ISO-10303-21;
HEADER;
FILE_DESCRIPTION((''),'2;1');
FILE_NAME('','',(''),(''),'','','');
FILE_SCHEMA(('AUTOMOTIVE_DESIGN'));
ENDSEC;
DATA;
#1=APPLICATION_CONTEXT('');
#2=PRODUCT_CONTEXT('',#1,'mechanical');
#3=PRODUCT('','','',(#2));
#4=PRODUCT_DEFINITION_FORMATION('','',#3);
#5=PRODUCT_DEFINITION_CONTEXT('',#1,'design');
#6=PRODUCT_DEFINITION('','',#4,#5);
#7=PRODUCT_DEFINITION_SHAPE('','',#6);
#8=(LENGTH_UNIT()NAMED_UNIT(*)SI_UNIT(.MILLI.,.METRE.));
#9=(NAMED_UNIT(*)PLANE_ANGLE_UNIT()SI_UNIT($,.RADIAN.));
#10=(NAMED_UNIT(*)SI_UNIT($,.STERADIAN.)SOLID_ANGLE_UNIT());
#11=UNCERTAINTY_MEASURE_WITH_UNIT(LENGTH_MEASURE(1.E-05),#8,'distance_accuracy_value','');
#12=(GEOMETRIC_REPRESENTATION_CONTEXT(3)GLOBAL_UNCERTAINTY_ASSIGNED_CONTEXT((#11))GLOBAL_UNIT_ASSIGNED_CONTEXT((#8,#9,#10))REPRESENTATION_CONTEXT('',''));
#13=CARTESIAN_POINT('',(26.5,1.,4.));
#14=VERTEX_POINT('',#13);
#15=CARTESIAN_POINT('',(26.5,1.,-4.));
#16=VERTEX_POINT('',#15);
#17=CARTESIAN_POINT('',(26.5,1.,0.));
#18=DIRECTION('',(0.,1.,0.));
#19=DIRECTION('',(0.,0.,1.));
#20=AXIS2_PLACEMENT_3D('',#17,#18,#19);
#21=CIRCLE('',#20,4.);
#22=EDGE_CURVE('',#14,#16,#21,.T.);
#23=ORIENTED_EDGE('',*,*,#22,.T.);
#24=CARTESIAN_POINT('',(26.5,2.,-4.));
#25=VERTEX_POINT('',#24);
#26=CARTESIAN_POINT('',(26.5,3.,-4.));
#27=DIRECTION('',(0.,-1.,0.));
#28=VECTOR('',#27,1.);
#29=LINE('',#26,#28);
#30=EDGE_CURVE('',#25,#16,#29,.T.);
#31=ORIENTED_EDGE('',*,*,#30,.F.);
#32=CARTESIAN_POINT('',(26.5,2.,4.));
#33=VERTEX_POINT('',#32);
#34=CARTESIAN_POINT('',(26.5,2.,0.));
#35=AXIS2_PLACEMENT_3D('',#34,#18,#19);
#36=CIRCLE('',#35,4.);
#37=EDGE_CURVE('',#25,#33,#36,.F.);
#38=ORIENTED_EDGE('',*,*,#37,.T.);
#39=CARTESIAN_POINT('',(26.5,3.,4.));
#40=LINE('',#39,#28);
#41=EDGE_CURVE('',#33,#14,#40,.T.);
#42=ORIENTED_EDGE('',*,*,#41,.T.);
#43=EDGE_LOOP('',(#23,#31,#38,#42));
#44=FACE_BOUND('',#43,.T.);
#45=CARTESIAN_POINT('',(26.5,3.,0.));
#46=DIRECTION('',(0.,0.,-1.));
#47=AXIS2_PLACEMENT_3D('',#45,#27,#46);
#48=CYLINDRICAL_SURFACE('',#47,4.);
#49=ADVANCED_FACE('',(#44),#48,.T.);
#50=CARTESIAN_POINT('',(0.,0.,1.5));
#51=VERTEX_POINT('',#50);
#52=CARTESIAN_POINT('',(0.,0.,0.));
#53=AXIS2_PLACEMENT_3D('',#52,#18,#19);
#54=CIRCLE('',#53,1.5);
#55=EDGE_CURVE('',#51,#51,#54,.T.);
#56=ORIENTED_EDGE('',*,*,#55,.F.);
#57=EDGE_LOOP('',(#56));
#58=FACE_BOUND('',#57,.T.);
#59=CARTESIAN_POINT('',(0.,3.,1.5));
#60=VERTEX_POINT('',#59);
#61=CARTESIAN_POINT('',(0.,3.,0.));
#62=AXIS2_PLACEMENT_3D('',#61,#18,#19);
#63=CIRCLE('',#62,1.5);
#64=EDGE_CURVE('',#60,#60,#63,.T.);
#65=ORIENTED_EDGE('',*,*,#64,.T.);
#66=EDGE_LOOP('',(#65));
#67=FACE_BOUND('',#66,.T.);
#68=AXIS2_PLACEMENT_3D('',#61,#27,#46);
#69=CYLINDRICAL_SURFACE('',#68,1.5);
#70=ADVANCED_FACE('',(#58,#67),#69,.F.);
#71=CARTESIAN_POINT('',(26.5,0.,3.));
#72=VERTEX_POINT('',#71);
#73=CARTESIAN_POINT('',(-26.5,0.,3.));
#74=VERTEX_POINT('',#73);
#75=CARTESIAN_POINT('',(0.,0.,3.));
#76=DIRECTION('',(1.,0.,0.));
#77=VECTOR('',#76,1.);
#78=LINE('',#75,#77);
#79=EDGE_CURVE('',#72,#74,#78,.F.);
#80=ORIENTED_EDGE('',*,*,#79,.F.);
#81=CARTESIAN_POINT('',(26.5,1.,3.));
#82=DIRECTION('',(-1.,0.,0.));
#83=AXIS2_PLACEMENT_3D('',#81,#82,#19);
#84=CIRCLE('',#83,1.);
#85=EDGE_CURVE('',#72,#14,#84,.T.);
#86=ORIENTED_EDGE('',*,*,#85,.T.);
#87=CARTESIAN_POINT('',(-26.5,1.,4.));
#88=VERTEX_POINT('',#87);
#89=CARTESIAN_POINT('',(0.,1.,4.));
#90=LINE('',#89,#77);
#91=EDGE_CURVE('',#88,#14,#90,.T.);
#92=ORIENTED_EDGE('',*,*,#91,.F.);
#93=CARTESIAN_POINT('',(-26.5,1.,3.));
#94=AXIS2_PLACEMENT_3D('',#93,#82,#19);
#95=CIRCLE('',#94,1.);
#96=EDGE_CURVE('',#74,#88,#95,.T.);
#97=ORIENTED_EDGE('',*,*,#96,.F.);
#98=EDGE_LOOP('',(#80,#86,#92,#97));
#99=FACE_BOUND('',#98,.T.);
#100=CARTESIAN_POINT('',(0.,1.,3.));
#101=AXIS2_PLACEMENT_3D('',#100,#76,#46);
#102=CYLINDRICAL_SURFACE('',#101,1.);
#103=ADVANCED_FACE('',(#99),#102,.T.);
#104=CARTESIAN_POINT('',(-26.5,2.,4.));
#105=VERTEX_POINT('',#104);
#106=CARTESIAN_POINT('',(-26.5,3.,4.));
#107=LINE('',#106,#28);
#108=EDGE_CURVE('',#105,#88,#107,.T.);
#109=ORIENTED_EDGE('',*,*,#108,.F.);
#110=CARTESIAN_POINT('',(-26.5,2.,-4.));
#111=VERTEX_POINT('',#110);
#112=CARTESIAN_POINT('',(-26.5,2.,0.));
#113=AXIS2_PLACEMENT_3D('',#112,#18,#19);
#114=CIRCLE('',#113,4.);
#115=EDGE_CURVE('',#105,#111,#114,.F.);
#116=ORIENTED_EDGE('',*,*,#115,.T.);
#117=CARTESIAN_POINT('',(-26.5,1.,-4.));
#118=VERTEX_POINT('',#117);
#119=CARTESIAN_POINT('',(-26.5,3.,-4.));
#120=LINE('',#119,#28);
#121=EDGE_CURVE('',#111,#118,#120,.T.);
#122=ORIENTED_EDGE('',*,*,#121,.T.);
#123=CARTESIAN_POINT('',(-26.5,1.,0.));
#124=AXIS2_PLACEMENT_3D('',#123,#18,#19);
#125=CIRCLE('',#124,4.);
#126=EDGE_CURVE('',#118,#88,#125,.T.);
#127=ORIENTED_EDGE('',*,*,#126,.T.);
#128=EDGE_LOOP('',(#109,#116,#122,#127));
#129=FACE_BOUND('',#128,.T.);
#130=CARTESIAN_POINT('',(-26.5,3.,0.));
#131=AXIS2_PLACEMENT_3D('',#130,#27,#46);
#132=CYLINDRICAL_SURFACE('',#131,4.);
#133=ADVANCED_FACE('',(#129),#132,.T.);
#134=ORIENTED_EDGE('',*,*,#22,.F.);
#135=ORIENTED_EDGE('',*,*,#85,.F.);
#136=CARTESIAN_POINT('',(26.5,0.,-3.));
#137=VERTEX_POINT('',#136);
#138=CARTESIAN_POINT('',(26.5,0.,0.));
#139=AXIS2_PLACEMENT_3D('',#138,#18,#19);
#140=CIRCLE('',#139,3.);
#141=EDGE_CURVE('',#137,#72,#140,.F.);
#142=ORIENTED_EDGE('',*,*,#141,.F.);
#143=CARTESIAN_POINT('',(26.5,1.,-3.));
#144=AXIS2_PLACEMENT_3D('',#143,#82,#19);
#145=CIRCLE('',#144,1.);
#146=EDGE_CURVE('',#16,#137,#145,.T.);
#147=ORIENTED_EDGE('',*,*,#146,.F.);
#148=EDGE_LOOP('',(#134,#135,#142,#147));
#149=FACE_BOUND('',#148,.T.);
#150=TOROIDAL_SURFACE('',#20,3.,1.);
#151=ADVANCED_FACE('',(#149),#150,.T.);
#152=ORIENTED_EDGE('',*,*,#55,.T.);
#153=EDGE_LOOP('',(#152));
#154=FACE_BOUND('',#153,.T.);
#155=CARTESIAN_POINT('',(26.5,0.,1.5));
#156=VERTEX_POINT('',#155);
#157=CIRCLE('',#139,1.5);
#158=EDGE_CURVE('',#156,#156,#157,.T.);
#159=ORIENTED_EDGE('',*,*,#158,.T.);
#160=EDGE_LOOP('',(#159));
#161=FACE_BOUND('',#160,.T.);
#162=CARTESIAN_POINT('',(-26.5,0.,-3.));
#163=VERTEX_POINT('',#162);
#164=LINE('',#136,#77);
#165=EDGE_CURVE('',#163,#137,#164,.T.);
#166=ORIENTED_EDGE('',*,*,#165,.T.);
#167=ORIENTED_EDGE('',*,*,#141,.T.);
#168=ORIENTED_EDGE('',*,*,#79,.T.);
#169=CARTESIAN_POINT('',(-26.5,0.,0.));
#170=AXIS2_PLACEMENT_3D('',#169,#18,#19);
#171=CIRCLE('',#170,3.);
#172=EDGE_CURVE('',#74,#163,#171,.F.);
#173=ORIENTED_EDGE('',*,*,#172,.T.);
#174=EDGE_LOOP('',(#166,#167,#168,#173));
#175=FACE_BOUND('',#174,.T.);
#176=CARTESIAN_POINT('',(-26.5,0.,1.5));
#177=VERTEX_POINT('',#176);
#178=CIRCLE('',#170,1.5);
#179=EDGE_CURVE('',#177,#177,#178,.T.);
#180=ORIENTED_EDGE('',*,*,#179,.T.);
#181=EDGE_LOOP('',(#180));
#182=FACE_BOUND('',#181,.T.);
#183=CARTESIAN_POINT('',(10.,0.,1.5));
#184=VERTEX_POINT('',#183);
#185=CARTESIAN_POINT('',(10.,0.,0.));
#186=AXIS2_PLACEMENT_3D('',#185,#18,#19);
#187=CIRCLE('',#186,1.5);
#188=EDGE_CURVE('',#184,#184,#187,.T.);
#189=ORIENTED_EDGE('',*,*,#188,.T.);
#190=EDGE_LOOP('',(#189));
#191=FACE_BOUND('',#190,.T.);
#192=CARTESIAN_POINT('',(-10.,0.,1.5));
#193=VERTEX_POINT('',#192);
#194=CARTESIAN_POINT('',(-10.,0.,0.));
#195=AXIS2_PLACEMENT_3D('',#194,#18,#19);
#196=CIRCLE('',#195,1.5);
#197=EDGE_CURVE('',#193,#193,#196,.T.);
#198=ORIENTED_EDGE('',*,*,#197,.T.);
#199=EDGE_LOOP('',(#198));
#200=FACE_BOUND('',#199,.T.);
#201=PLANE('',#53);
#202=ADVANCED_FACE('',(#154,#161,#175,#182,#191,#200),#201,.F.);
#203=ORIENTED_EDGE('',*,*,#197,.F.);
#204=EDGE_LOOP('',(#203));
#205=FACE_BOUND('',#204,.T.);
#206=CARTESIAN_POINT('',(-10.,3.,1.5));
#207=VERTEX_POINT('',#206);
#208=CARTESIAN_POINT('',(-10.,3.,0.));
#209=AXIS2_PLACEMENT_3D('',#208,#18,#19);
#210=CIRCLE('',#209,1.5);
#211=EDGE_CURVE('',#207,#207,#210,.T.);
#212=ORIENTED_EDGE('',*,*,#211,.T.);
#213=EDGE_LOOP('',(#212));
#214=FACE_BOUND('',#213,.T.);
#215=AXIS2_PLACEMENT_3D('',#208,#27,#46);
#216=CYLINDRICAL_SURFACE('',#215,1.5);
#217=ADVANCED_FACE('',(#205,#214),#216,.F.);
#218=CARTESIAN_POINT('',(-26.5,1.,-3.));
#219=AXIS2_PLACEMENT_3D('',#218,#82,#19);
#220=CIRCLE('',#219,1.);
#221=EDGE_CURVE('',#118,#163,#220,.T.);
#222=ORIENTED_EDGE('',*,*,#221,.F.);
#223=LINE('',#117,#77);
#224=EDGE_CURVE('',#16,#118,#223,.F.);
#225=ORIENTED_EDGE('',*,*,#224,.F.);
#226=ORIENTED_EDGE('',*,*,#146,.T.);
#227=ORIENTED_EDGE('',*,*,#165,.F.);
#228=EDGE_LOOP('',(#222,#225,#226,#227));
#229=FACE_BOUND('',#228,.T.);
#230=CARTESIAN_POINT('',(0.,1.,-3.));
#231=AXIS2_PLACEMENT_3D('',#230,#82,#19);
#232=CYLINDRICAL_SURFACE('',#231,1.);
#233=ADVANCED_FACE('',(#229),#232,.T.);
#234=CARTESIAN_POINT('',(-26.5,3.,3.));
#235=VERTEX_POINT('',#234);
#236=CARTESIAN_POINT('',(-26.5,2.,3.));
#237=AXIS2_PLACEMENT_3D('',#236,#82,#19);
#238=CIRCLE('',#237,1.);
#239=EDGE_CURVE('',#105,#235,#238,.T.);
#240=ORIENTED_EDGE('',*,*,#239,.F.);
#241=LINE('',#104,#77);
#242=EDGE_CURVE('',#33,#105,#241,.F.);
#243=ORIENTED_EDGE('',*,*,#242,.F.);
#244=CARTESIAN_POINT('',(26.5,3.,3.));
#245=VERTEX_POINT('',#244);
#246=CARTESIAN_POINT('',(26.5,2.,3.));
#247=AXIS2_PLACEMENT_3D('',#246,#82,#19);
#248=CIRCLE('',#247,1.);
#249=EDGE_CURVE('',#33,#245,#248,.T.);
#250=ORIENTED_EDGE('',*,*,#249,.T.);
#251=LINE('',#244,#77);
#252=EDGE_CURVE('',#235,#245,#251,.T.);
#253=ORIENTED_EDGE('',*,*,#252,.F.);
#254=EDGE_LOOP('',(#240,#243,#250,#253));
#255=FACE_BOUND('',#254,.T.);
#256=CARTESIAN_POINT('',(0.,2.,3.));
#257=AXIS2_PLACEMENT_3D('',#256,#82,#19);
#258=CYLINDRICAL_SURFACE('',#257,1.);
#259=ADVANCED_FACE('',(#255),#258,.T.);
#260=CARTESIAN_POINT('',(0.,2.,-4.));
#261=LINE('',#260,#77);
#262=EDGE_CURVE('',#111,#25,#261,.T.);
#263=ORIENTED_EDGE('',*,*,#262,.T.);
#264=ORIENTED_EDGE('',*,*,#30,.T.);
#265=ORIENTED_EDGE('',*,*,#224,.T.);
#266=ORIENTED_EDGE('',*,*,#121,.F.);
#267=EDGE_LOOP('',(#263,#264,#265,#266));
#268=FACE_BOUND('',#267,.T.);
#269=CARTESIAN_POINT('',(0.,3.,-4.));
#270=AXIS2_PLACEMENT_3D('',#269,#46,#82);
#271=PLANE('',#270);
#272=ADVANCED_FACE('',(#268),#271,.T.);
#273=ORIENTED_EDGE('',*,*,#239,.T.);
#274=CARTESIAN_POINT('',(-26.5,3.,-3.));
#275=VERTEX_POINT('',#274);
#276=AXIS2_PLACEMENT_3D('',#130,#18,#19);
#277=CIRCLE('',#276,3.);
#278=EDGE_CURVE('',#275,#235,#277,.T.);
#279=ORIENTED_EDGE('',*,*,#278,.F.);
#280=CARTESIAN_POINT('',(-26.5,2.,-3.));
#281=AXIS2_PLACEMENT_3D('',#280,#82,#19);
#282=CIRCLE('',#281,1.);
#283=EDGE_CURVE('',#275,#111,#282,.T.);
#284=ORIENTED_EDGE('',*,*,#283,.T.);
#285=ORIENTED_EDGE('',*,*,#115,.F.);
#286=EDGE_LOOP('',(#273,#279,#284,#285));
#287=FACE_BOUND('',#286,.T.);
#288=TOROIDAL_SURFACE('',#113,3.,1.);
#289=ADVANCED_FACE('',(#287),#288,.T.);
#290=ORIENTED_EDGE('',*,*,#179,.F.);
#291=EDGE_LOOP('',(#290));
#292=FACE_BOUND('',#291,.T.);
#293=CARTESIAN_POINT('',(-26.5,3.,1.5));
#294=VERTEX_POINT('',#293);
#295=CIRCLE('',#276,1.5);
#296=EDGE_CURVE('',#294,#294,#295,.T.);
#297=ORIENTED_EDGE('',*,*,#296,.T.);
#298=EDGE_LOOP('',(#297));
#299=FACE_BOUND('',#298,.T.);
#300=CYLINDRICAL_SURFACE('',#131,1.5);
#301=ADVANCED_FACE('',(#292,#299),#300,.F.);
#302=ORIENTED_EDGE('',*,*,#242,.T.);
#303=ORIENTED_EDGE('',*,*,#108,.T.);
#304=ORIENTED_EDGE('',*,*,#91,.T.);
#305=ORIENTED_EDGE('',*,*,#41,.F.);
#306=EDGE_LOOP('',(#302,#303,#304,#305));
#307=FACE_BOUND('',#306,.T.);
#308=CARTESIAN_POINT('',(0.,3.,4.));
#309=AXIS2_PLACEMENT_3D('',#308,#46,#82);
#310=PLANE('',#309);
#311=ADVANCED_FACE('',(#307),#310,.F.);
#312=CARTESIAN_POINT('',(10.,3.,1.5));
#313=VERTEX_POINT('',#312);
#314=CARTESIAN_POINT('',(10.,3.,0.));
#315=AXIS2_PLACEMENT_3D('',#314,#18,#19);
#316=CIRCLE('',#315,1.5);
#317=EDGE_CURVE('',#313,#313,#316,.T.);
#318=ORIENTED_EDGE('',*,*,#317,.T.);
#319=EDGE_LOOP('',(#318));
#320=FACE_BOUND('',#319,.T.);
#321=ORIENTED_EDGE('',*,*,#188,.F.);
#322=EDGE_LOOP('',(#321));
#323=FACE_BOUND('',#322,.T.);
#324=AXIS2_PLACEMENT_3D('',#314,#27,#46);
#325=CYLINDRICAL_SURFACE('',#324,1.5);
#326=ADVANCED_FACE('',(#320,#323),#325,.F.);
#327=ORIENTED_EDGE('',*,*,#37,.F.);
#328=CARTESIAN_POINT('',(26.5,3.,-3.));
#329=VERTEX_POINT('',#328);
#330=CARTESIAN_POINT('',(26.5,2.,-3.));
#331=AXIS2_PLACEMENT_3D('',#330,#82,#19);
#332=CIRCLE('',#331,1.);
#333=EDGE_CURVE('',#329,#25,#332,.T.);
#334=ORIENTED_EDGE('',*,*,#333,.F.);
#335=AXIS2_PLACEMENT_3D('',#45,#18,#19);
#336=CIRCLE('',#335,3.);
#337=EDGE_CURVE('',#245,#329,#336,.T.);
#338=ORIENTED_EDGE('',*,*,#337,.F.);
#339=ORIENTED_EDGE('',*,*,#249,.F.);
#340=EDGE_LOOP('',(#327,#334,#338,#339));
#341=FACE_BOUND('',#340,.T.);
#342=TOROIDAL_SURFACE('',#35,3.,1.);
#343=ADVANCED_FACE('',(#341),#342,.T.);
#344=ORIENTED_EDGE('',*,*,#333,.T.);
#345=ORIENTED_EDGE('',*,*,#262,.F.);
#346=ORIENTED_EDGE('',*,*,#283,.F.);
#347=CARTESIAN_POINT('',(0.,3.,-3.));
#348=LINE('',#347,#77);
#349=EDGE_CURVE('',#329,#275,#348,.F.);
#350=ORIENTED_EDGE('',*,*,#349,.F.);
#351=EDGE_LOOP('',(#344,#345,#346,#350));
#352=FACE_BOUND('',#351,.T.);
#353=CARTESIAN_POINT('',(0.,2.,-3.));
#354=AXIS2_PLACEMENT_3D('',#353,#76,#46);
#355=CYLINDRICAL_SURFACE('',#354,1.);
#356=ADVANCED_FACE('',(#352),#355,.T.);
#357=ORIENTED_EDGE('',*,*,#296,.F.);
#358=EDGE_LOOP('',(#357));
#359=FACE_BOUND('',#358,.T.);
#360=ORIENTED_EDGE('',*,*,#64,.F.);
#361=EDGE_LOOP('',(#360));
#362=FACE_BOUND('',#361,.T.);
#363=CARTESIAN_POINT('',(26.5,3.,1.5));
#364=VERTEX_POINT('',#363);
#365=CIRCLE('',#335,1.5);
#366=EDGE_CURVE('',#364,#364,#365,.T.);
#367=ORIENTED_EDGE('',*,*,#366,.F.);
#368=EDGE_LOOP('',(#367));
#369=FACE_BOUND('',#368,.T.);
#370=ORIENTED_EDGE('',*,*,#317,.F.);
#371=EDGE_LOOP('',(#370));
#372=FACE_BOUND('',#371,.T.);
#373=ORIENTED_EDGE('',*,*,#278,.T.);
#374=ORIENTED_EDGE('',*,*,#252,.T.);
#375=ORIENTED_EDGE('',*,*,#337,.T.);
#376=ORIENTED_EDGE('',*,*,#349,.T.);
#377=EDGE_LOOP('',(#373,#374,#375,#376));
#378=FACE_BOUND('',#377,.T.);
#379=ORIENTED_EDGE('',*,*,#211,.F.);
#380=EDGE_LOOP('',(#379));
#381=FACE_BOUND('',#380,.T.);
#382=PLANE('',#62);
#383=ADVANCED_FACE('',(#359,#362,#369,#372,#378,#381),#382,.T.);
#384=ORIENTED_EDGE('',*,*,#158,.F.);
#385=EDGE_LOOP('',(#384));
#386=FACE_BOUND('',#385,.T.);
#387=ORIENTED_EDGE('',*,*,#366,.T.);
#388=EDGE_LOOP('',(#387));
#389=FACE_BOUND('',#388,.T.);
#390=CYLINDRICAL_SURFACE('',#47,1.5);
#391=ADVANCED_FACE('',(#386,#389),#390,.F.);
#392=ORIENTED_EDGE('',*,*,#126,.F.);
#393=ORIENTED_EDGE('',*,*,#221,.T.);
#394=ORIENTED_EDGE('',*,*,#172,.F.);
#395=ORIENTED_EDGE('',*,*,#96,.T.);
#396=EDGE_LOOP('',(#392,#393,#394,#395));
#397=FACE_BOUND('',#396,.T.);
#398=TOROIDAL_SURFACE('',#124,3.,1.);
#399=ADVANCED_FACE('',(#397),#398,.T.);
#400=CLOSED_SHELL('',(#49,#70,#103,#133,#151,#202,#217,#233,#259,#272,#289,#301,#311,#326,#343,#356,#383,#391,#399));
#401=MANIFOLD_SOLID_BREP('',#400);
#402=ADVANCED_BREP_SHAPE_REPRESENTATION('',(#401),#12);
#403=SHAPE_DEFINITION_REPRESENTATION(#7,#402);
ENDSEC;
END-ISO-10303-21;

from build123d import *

# Parameters (mm, degrees)
SKETCH1_R           = 1.5
BOSS_EXTRUDE1_DEPTH = 3
FILLET1_R           = 1


with BuildPart() as part:
    # Sketch1 → Boss-Extrude1 (new body)
    with BuildSketch(Plane(origin=(0, 0, 0), x_dir=(1, 0, 0), z_dir=(0, 1, 0))):
        with BuildLine():
            Line((-26.5, 4), (26.5, 4))
            ThreePointArc((26.5, 4), (30.5, 0), (26.5, -4))
            Line((26.5, -4), (-26.5, -4))
            ThreePointArc((-26.5, -4), (-30.5, 0), (-26.5, 4))
        make_face()
        with Locations((-26.5, 0)):
            Circle(SKETCH1_R, mode=Mode.SUBTRACT)
        with Locations((26.5, 0)):
            Circle(SKETCH1_R, mode=Mode.SUBTRACT)
        with Locations((-10, 0)):
            Circle(SKETCH1_R, mode=Mode.SUBTRACT)
        with Locations((10, 0)):
            Circle(SKETCH1_R, mode=Mode.SUBTRACT)
        Circle(SKETCH1_R, mode=Mode.SUBTRACT)
    extrude(amount=BOSS_EXTRUDE1_DEPTH)

    # Fillet1
    fillet1_edges = [part.edges().sort_by_distance(p)[0] for p in [
        (30.5, 0, 0),
        (0, 0, 4),
        (-30.5, 0, 0),
        (0, 0, -4),
        (0, 3, -4),
        (-30.5, 3, 0),
        (0, 3, 4),
        (30.5, 3, 0),
    ]]
    fillet(fillet1_edges, radius=FILLET1_R)


solid = part.part
